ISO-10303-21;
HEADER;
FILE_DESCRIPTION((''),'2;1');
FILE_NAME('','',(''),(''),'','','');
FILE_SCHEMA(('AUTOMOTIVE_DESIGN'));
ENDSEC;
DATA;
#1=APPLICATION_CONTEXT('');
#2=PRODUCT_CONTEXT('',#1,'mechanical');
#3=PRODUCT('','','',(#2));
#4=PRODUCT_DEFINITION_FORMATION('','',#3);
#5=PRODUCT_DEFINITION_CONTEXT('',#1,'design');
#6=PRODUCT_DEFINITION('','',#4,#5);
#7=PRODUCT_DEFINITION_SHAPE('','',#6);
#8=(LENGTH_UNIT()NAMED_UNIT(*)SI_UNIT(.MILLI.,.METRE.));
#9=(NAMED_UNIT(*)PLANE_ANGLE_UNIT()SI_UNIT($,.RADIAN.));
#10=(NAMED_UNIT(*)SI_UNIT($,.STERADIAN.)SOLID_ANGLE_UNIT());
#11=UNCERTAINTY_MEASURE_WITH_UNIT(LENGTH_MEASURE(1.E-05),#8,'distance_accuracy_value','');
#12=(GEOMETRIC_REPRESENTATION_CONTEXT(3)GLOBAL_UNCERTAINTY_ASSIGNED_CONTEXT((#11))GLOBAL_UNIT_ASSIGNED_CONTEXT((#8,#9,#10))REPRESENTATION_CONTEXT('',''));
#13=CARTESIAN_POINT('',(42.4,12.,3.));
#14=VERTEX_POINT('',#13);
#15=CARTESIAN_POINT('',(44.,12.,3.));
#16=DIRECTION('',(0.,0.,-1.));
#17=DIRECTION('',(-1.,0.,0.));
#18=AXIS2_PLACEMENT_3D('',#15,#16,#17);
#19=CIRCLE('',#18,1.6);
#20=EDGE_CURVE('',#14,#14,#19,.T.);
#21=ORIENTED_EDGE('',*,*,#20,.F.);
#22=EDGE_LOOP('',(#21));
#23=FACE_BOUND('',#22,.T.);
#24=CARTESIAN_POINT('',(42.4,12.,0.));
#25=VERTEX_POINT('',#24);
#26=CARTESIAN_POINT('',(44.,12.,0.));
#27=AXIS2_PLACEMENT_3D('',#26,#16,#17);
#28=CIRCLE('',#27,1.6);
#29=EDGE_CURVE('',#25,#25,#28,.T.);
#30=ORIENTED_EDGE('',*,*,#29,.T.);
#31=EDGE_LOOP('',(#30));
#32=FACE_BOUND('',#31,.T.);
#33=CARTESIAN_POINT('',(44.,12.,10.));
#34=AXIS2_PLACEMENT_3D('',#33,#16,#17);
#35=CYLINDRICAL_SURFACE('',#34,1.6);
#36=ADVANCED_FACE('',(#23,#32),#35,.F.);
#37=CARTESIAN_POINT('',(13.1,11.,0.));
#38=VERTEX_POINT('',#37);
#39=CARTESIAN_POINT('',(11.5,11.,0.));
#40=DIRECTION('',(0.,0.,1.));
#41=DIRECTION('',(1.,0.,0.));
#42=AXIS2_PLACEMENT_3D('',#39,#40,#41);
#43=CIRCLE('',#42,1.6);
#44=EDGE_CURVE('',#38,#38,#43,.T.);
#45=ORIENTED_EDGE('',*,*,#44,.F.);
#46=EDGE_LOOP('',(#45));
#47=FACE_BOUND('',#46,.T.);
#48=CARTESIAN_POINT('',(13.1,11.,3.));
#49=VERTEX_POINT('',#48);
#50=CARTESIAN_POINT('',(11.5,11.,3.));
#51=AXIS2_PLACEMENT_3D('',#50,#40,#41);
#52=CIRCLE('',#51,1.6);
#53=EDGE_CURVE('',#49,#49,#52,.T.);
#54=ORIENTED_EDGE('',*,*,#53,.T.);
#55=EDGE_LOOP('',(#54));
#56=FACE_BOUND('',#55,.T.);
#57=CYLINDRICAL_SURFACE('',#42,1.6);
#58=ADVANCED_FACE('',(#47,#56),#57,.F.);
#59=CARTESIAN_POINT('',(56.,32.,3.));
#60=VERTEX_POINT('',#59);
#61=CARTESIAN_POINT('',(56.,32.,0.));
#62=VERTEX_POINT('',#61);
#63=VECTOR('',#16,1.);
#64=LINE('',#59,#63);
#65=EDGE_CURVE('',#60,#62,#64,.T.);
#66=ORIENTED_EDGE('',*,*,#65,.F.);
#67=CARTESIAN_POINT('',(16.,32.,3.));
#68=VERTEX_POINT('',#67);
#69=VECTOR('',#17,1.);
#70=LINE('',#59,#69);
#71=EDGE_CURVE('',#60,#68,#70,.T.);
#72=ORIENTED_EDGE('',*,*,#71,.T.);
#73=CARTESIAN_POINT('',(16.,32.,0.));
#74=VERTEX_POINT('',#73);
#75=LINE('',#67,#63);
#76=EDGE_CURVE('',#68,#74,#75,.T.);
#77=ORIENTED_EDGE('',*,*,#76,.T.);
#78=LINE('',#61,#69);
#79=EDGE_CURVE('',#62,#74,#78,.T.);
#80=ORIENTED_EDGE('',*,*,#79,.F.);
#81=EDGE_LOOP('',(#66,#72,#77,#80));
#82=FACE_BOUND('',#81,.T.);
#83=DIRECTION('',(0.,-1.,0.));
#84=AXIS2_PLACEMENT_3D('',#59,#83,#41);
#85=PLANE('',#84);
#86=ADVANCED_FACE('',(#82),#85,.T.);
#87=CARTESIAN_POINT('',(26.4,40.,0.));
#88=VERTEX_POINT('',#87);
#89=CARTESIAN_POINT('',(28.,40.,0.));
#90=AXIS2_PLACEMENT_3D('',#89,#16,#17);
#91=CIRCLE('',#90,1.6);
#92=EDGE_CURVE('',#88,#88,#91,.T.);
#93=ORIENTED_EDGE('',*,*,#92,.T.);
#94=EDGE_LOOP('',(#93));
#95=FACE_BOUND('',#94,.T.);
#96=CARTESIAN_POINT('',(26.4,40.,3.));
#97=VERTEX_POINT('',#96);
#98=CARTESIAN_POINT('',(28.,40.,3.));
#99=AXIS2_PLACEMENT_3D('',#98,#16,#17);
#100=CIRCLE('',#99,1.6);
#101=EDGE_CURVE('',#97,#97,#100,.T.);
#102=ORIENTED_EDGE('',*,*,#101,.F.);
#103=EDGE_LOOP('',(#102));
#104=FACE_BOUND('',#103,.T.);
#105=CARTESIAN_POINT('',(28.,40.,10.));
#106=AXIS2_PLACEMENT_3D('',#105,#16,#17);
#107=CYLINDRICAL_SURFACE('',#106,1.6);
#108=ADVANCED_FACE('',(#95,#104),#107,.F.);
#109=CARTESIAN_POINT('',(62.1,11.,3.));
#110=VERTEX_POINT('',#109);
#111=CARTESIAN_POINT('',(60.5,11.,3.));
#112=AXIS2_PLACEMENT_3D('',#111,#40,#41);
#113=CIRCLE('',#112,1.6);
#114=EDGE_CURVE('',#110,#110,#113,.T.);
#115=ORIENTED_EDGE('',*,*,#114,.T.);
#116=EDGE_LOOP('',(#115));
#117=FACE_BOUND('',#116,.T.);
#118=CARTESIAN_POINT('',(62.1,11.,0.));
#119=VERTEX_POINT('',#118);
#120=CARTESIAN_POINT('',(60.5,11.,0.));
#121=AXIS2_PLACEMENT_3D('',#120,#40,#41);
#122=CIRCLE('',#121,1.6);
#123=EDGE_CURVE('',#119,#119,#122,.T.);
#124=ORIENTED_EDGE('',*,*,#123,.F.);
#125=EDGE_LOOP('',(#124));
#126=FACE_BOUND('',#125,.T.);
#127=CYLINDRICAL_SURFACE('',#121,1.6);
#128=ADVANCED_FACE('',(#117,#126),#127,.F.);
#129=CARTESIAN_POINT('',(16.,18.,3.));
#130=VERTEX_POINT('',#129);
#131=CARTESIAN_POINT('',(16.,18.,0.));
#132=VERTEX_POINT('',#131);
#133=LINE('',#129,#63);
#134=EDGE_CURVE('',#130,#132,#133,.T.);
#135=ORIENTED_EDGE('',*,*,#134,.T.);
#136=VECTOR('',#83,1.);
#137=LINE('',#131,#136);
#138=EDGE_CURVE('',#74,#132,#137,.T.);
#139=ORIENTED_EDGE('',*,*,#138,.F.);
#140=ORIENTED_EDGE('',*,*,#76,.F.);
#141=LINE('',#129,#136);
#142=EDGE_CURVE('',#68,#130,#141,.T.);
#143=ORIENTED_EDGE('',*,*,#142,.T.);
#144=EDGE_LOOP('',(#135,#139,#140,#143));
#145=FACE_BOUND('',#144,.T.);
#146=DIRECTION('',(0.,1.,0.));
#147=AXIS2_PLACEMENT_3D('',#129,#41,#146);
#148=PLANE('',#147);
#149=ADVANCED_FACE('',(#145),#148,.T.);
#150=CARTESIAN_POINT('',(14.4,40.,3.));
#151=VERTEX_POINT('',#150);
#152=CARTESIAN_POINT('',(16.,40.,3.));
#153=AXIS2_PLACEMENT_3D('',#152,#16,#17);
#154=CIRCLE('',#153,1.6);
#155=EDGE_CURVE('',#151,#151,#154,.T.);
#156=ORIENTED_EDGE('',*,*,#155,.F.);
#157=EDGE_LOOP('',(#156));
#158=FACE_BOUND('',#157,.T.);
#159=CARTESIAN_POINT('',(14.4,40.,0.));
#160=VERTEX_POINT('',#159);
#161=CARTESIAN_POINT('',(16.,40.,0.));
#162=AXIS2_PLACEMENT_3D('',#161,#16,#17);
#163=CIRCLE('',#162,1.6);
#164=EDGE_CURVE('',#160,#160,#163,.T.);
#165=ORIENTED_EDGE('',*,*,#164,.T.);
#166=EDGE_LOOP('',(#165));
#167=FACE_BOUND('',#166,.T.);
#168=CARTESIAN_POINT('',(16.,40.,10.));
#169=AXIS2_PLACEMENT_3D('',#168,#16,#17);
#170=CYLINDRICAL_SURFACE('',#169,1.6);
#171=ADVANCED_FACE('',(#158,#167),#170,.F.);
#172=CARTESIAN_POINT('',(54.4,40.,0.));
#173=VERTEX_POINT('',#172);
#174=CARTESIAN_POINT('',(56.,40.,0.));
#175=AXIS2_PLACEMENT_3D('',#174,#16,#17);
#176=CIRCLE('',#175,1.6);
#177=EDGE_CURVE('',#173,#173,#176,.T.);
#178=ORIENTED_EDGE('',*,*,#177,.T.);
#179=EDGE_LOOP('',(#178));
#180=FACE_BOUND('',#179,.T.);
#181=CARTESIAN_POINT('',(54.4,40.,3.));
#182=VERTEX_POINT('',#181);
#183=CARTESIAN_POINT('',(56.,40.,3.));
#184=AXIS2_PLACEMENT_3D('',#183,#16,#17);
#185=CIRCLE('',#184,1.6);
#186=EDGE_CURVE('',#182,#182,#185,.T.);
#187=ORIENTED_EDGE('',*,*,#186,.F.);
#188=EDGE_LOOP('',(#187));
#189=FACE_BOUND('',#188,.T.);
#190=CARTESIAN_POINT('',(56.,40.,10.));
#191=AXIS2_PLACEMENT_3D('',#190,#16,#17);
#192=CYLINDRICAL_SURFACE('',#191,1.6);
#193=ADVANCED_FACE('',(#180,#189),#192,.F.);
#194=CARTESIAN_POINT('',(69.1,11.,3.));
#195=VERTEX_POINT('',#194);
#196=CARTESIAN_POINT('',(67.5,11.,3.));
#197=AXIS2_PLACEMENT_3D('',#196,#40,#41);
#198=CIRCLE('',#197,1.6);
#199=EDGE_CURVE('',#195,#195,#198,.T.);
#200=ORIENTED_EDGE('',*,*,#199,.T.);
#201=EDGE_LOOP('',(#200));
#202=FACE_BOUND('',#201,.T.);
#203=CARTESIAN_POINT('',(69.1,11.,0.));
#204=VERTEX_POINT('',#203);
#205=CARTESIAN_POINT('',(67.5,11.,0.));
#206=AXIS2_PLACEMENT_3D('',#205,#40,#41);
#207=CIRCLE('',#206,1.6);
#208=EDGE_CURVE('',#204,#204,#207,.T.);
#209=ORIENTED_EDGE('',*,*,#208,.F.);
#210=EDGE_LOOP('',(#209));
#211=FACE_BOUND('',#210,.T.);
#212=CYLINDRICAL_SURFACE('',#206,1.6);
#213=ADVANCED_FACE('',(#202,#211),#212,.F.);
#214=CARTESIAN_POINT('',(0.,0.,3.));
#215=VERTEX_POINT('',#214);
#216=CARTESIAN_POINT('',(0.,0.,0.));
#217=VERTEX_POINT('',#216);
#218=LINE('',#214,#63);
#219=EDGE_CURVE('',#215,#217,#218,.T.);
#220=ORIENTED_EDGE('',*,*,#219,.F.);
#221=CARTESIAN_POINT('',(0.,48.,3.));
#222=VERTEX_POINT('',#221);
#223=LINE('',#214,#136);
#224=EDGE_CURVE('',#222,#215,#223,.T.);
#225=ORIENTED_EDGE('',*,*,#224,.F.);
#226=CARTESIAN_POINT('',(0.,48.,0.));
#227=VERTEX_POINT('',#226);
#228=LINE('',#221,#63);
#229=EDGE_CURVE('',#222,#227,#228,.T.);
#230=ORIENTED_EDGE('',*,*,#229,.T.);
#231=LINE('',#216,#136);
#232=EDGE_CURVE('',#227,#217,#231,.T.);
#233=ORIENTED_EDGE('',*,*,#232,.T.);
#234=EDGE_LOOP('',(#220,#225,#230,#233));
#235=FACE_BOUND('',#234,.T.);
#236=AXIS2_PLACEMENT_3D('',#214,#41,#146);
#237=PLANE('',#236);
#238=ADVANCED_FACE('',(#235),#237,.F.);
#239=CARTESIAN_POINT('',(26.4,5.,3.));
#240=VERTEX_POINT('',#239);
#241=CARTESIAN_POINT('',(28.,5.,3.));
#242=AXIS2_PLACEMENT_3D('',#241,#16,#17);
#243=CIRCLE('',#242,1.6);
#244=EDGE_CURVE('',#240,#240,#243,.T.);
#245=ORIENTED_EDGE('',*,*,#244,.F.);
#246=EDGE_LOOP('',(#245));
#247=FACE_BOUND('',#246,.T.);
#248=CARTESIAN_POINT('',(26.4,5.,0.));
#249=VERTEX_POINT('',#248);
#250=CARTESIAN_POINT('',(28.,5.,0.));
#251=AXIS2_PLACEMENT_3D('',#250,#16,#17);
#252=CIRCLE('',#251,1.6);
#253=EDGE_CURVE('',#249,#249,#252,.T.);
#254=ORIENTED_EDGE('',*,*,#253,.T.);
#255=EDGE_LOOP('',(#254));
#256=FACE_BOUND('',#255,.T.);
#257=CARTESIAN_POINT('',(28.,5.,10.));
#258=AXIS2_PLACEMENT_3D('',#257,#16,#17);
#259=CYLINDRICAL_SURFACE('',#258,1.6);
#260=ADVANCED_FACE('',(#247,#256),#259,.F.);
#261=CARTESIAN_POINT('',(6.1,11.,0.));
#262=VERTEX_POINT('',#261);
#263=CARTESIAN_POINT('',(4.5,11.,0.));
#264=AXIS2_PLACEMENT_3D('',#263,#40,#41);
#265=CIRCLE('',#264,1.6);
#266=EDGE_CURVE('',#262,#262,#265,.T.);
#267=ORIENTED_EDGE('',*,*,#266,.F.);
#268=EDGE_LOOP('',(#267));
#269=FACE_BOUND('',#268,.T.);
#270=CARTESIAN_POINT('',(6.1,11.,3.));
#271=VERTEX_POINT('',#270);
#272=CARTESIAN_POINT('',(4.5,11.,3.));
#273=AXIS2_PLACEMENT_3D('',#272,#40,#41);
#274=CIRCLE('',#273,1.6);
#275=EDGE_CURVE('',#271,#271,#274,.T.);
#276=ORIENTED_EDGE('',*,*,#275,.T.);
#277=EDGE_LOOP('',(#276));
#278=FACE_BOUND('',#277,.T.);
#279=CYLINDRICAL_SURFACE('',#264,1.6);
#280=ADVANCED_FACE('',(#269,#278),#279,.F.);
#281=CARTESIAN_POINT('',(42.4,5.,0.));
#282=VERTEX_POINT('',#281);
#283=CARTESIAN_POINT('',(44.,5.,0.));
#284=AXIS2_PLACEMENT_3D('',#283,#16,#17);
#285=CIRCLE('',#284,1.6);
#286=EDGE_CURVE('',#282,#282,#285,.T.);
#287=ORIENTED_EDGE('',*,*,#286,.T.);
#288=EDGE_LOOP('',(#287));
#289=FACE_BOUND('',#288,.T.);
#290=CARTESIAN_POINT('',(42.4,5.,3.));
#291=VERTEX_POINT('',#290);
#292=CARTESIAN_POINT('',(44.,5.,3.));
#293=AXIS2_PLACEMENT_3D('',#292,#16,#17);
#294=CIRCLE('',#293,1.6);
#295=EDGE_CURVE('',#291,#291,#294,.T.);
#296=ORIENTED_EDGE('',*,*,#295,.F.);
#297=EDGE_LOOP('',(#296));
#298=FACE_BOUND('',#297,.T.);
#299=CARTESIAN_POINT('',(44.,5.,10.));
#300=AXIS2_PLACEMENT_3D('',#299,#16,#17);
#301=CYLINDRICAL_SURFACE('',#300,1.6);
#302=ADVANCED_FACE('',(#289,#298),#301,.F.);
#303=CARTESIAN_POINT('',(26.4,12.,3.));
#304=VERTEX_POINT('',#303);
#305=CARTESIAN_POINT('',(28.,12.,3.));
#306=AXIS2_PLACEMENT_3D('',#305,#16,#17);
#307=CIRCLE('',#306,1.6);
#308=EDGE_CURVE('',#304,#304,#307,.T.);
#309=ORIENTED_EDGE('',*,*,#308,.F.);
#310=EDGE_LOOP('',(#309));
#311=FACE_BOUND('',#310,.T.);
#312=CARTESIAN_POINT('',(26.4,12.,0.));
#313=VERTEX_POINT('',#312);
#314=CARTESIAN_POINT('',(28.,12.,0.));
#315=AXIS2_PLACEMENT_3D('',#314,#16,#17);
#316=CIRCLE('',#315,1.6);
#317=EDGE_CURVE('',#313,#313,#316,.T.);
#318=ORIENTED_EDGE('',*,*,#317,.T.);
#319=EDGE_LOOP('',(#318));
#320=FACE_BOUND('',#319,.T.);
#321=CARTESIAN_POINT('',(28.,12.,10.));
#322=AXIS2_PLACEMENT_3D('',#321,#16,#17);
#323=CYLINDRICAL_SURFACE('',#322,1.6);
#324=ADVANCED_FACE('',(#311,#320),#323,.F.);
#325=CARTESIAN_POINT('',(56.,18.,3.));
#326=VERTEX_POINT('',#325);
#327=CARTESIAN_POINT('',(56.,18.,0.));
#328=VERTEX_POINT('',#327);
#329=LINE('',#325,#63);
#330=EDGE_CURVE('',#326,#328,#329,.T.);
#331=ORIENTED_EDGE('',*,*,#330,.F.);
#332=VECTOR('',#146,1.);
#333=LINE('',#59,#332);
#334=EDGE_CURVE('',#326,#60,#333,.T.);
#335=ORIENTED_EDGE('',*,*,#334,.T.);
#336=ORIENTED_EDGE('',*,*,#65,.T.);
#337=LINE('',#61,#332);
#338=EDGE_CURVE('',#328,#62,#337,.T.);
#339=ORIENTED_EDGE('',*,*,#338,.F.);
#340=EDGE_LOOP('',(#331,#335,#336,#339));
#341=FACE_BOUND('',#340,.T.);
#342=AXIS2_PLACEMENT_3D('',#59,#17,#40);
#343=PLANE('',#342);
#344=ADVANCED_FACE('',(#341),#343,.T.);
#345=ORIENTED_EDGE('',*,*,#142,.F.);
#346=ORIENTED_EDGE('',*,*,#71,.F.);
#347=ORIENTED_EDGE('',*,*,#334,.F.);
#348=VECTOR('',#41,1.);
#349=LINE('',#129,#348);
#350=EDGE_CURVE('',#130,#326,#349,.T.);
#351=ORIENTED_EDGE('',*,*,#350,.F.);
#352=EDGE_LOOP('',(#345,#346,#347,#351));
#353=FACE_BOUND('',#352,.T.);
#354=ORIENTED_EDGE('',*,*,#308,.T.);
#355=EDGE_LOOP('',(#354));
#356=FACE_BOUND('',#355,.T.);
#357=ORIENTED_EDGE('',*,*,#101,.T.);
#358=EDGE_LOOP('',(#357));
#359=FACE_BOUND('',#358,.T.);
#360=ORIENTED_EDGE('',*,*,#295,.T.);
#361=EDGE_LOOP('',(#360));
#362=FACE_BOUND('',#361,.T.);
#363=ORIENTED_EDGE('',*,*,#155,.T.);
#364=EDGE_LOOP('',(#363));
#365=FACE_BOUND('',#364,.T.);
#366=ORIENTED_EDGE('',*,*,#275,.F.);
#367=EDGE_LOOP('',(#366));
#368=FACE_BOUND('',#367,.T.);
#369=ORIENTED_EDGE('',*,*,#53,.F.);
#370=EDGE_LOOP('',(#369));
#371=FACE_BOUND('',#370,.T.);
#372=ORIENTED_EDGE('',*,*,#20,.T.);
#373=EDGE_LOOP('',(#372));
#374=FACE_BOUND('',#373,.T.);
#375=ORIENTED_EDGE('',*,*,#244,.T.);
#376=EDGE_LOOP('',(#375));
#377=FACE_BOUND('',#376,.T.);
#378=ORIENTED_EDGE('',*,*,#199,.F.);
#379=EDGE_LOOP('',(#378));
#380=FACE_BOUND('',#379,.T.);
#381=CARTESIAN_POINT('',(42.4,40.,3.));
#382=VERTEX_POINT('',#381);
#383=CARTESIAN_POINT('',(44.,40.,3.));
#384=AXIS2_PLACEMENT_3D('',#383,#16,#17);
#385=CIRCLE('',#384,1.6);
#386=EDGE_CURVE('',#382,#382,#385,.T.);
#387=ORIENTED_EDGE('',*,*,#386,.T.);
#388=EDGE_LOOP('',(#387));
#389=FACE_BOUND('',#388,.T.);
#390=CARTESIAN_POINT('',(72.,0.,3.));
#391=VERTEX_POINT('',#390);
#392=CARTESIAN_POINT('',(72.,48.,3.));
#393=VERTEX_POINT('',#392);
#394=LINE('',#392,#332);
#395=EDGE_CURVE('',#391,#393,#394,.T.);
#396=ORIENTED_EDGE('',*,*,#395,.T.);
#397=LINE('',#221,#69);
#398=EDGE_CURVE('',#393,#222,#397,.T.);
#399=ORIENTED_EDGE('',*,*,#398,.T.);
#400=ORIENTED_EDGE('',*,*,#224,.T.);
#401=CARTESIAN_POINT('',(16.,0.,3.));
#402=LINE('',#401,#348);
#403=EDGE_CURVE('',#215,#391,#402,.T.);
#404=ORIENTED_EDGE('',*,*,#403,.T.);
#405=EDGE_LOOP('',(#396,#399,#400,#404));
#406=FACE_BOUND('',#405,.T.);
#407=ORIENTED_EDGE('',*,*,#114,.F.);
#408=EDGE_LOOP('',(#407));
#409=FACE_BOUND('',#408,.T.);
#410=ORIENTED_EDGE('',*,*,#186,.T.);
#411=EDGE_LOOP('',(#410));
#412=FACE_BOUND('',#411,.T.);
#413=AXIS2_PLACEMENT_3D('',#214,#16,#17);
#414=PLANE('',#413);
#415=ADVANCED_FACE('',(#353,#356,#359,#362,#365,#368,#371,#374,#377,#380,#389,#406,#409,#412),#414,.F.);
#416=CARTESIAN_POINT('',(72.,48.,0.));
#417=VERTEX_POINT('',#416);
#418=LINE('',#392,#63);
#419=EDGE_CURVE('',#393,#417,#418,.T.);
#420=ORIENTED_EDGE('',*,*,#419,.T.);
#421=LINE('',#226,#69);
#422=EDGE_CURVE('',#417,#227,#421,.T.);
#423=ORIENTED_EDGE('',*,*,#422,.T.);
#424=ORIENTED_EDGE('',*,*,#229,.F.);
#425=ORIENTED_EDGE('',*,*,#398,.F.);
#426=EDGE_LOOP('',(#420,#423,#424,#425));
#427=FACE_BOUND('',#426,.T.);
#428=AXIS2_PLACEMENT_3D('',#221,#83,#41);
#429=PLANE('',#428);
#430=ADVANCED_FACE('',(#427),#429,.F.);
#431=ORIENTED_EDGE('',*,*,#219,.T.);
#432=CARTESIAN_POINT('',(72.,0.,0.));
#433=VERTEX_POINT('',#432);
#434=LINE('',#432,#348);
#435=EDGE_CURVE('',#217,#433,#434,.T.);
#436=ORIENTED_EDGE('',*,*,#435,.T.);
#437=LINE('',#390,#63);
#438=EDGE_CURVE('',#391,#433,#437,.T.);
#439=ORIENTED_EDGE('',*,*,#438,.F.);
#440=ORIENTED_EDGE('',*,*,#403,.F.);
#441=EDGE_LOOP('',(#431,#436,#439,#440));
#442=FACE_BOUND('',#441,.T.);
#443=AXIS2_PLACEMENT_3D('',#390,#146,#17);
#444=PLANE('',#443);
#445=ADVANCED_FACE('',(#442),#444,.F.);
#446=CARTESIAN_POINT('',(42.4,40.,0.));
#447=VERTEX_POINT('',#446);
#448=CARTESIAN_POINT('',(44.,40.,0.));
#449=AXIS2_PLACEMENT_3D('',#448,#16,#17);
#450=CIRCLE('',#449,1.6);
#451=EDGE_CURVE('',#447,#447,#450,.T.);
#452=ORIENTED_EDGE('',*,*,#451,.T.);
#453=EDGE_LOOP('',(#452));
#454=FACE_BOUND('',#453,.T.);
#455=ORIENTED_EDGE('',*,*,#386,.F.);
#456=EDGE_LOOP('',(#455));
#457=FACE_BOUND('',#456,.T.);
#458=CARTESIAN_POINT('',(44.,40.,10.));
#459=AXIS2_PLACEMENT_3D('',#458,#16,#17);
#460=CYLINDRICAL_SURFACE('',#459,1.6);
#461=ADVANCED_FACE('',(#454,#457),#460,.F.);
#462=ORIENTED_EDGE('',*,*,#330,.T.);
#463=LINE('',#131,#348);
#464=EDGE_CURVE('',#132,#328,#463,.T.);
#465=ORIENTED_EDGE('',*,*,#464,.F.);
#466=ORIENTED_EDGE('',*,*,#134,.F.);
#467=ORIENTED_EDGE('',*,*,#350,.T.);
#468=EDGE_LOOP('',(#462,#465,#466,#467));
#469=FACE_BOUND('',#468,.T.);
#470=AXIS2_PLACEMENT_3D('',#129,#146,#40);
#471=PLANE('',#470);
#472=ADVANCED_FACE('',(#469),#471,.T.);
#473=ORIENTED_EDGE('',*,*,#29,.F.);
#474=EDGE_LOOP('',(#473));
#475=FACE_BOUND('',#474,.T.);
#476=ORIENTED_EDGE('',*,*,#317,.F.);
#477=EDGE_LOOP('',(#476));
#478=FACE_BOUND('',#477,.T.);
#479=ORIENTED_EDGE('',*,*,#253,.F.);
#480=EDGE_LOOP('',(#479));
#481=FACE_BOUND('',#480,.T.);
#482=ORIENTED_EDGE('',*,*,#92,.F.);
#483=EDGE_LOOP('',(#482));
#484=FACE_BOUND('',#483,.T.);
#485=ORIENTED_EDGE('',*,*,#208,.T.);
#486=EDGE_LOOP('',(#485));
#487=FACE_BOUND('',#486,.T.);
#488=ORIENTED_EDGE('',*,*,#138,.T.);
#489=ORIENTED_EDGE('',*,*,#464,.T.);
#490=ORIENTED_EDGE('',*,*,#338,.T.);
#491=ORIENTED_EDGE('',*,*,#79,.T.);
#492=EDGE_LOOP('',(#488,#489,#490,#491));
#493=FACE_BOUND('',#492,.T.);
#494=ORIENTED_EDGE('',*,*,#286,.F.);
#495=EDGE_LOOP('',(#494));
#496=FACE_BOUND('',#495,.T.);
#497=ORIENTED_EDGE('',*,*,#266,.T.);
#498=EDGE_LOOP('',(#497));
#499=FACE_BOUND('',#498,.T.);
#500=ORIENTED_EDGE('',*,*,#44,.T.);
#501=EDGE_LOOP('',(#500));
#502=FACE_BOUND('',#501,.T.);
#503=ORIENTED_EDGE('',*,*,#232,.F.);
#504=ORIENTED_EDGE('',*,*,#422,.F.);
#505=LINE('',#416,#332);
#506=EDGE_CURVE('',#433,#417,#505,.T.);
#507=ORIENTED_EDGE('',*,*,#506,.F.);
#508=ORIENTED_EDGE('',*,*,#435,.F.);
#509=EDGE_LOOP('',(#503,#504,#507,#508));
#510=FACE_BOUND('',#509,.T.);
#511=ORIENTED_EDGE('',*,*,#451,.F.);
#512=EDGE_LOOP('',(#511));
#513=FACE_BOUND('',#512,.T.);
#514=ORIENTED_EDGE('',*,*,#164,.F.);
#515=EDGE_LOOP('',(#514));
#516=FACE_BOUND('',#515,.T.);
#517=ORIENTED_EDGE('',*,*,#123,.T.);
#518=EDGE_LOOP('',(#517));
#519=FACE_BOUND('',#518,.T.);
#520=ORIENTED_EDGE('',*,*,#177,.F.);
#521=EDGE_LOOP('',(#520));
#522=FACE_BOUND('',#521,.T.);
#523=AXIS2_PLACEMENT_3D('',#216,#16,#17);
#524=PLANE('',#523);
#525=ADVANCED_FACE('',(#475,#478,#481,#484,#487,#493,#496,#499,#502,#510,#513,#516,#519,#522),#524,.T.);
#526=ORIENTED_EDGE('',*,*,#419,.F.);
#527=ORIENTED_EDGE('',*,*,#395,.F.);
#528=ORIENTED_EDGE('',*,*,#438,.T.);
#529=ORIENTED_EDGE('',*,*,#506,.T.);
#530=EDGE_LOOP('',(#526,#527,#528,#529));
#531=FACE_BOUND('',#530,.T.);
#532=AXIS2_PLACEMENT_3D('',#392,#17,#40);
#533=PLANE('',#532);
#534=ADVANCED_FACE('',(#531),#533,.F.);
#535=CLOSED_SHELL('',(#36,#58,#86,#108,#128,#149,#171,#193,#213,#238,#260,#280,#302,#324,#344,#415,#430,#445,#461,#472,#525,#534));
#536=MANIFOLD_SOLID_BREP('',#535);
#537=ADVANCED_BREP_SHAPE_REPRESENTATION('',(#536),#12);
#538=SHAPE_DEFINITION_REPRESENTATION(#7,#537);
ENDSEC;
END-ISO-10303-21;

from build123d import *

# Parameters (mm, degrees)
SKETCH_1_W          = 40
SKETCH_1_H          = 14
EXTRUDE_2_DEPTH     = 3
SKETCH_2_R          = 1.6
CUT_EXTRUDE_1_DEPTH = 10
SKETCH_3_R          = 1.6
CUT_EXTRUDE_2_DEPTH = 87.585218138


with BuildPart() as part:
    # 草图1 → 凸台-拉伸2 (new body)
    with BuildSketch(Plane.XY):
        Polygon((0, 0), (0, 48), (72, 48), (72, 0), (56, 0), (16, 0), align=None)
        with Locations((36, 25)):
            Rectangle(SKETCH_1_W, SKETCH_1_H, mode=Mode.SUBTRACT)
    extrude(amount=EXTRUDE_2_DEPTH)

    # 草图2 → 切除-拉伸1 (cut)
    with BuildSketch(Plane(origin=(0, 0, 0), x_dir=(-1, 0, 0), z_dir=(0, 0, -1))):
        with Locations((-44, 12)):
            Circle(SKETCH_2_R)
        with Locations((-28, 12)):
            Circle(SKETCH_2_R)
        with Locations((-44, 40)):
            Circle(SKETCH_2_R)
        with Locations((-28, 40)):
            Circle(SKETCH_2_R)
        with Locations((-56, 40)):
            Circle(SKETCH_2_R)
        with Locations((-16, 40)):
            Circle(SKETCH_2_R)
        with Locations((-44, 5)):
            Circle(SKETCH_2_R)
        with Locations((-28, 5)):
            Circle(SKETCH_2_R)
    extrude(amount=-CUT_EXTRUDE_1_DEPTH, mode=Mode.SUBTRACT)

    # 草图3 → 切除-拉伸2 (cut, through all)
    with BuildSketch(Plane.XY.offset(3)):
        with Locations((67.5, 11)):
            Circle(SKETCH_3_R)
        with Locations((60.5, 11)):
            Circle(SKETCH_3_R)
        with Locations((4.5, 11)):
            Circle(SKETCH_3_R)
        with Locations((11.5, 11)):
            Circle(SKETCH_3_R)
    extrude(amount=-CUT_EXTRUDE_2_DEPTH, mode=Mode.SUBTRACT)


solid = part.part
